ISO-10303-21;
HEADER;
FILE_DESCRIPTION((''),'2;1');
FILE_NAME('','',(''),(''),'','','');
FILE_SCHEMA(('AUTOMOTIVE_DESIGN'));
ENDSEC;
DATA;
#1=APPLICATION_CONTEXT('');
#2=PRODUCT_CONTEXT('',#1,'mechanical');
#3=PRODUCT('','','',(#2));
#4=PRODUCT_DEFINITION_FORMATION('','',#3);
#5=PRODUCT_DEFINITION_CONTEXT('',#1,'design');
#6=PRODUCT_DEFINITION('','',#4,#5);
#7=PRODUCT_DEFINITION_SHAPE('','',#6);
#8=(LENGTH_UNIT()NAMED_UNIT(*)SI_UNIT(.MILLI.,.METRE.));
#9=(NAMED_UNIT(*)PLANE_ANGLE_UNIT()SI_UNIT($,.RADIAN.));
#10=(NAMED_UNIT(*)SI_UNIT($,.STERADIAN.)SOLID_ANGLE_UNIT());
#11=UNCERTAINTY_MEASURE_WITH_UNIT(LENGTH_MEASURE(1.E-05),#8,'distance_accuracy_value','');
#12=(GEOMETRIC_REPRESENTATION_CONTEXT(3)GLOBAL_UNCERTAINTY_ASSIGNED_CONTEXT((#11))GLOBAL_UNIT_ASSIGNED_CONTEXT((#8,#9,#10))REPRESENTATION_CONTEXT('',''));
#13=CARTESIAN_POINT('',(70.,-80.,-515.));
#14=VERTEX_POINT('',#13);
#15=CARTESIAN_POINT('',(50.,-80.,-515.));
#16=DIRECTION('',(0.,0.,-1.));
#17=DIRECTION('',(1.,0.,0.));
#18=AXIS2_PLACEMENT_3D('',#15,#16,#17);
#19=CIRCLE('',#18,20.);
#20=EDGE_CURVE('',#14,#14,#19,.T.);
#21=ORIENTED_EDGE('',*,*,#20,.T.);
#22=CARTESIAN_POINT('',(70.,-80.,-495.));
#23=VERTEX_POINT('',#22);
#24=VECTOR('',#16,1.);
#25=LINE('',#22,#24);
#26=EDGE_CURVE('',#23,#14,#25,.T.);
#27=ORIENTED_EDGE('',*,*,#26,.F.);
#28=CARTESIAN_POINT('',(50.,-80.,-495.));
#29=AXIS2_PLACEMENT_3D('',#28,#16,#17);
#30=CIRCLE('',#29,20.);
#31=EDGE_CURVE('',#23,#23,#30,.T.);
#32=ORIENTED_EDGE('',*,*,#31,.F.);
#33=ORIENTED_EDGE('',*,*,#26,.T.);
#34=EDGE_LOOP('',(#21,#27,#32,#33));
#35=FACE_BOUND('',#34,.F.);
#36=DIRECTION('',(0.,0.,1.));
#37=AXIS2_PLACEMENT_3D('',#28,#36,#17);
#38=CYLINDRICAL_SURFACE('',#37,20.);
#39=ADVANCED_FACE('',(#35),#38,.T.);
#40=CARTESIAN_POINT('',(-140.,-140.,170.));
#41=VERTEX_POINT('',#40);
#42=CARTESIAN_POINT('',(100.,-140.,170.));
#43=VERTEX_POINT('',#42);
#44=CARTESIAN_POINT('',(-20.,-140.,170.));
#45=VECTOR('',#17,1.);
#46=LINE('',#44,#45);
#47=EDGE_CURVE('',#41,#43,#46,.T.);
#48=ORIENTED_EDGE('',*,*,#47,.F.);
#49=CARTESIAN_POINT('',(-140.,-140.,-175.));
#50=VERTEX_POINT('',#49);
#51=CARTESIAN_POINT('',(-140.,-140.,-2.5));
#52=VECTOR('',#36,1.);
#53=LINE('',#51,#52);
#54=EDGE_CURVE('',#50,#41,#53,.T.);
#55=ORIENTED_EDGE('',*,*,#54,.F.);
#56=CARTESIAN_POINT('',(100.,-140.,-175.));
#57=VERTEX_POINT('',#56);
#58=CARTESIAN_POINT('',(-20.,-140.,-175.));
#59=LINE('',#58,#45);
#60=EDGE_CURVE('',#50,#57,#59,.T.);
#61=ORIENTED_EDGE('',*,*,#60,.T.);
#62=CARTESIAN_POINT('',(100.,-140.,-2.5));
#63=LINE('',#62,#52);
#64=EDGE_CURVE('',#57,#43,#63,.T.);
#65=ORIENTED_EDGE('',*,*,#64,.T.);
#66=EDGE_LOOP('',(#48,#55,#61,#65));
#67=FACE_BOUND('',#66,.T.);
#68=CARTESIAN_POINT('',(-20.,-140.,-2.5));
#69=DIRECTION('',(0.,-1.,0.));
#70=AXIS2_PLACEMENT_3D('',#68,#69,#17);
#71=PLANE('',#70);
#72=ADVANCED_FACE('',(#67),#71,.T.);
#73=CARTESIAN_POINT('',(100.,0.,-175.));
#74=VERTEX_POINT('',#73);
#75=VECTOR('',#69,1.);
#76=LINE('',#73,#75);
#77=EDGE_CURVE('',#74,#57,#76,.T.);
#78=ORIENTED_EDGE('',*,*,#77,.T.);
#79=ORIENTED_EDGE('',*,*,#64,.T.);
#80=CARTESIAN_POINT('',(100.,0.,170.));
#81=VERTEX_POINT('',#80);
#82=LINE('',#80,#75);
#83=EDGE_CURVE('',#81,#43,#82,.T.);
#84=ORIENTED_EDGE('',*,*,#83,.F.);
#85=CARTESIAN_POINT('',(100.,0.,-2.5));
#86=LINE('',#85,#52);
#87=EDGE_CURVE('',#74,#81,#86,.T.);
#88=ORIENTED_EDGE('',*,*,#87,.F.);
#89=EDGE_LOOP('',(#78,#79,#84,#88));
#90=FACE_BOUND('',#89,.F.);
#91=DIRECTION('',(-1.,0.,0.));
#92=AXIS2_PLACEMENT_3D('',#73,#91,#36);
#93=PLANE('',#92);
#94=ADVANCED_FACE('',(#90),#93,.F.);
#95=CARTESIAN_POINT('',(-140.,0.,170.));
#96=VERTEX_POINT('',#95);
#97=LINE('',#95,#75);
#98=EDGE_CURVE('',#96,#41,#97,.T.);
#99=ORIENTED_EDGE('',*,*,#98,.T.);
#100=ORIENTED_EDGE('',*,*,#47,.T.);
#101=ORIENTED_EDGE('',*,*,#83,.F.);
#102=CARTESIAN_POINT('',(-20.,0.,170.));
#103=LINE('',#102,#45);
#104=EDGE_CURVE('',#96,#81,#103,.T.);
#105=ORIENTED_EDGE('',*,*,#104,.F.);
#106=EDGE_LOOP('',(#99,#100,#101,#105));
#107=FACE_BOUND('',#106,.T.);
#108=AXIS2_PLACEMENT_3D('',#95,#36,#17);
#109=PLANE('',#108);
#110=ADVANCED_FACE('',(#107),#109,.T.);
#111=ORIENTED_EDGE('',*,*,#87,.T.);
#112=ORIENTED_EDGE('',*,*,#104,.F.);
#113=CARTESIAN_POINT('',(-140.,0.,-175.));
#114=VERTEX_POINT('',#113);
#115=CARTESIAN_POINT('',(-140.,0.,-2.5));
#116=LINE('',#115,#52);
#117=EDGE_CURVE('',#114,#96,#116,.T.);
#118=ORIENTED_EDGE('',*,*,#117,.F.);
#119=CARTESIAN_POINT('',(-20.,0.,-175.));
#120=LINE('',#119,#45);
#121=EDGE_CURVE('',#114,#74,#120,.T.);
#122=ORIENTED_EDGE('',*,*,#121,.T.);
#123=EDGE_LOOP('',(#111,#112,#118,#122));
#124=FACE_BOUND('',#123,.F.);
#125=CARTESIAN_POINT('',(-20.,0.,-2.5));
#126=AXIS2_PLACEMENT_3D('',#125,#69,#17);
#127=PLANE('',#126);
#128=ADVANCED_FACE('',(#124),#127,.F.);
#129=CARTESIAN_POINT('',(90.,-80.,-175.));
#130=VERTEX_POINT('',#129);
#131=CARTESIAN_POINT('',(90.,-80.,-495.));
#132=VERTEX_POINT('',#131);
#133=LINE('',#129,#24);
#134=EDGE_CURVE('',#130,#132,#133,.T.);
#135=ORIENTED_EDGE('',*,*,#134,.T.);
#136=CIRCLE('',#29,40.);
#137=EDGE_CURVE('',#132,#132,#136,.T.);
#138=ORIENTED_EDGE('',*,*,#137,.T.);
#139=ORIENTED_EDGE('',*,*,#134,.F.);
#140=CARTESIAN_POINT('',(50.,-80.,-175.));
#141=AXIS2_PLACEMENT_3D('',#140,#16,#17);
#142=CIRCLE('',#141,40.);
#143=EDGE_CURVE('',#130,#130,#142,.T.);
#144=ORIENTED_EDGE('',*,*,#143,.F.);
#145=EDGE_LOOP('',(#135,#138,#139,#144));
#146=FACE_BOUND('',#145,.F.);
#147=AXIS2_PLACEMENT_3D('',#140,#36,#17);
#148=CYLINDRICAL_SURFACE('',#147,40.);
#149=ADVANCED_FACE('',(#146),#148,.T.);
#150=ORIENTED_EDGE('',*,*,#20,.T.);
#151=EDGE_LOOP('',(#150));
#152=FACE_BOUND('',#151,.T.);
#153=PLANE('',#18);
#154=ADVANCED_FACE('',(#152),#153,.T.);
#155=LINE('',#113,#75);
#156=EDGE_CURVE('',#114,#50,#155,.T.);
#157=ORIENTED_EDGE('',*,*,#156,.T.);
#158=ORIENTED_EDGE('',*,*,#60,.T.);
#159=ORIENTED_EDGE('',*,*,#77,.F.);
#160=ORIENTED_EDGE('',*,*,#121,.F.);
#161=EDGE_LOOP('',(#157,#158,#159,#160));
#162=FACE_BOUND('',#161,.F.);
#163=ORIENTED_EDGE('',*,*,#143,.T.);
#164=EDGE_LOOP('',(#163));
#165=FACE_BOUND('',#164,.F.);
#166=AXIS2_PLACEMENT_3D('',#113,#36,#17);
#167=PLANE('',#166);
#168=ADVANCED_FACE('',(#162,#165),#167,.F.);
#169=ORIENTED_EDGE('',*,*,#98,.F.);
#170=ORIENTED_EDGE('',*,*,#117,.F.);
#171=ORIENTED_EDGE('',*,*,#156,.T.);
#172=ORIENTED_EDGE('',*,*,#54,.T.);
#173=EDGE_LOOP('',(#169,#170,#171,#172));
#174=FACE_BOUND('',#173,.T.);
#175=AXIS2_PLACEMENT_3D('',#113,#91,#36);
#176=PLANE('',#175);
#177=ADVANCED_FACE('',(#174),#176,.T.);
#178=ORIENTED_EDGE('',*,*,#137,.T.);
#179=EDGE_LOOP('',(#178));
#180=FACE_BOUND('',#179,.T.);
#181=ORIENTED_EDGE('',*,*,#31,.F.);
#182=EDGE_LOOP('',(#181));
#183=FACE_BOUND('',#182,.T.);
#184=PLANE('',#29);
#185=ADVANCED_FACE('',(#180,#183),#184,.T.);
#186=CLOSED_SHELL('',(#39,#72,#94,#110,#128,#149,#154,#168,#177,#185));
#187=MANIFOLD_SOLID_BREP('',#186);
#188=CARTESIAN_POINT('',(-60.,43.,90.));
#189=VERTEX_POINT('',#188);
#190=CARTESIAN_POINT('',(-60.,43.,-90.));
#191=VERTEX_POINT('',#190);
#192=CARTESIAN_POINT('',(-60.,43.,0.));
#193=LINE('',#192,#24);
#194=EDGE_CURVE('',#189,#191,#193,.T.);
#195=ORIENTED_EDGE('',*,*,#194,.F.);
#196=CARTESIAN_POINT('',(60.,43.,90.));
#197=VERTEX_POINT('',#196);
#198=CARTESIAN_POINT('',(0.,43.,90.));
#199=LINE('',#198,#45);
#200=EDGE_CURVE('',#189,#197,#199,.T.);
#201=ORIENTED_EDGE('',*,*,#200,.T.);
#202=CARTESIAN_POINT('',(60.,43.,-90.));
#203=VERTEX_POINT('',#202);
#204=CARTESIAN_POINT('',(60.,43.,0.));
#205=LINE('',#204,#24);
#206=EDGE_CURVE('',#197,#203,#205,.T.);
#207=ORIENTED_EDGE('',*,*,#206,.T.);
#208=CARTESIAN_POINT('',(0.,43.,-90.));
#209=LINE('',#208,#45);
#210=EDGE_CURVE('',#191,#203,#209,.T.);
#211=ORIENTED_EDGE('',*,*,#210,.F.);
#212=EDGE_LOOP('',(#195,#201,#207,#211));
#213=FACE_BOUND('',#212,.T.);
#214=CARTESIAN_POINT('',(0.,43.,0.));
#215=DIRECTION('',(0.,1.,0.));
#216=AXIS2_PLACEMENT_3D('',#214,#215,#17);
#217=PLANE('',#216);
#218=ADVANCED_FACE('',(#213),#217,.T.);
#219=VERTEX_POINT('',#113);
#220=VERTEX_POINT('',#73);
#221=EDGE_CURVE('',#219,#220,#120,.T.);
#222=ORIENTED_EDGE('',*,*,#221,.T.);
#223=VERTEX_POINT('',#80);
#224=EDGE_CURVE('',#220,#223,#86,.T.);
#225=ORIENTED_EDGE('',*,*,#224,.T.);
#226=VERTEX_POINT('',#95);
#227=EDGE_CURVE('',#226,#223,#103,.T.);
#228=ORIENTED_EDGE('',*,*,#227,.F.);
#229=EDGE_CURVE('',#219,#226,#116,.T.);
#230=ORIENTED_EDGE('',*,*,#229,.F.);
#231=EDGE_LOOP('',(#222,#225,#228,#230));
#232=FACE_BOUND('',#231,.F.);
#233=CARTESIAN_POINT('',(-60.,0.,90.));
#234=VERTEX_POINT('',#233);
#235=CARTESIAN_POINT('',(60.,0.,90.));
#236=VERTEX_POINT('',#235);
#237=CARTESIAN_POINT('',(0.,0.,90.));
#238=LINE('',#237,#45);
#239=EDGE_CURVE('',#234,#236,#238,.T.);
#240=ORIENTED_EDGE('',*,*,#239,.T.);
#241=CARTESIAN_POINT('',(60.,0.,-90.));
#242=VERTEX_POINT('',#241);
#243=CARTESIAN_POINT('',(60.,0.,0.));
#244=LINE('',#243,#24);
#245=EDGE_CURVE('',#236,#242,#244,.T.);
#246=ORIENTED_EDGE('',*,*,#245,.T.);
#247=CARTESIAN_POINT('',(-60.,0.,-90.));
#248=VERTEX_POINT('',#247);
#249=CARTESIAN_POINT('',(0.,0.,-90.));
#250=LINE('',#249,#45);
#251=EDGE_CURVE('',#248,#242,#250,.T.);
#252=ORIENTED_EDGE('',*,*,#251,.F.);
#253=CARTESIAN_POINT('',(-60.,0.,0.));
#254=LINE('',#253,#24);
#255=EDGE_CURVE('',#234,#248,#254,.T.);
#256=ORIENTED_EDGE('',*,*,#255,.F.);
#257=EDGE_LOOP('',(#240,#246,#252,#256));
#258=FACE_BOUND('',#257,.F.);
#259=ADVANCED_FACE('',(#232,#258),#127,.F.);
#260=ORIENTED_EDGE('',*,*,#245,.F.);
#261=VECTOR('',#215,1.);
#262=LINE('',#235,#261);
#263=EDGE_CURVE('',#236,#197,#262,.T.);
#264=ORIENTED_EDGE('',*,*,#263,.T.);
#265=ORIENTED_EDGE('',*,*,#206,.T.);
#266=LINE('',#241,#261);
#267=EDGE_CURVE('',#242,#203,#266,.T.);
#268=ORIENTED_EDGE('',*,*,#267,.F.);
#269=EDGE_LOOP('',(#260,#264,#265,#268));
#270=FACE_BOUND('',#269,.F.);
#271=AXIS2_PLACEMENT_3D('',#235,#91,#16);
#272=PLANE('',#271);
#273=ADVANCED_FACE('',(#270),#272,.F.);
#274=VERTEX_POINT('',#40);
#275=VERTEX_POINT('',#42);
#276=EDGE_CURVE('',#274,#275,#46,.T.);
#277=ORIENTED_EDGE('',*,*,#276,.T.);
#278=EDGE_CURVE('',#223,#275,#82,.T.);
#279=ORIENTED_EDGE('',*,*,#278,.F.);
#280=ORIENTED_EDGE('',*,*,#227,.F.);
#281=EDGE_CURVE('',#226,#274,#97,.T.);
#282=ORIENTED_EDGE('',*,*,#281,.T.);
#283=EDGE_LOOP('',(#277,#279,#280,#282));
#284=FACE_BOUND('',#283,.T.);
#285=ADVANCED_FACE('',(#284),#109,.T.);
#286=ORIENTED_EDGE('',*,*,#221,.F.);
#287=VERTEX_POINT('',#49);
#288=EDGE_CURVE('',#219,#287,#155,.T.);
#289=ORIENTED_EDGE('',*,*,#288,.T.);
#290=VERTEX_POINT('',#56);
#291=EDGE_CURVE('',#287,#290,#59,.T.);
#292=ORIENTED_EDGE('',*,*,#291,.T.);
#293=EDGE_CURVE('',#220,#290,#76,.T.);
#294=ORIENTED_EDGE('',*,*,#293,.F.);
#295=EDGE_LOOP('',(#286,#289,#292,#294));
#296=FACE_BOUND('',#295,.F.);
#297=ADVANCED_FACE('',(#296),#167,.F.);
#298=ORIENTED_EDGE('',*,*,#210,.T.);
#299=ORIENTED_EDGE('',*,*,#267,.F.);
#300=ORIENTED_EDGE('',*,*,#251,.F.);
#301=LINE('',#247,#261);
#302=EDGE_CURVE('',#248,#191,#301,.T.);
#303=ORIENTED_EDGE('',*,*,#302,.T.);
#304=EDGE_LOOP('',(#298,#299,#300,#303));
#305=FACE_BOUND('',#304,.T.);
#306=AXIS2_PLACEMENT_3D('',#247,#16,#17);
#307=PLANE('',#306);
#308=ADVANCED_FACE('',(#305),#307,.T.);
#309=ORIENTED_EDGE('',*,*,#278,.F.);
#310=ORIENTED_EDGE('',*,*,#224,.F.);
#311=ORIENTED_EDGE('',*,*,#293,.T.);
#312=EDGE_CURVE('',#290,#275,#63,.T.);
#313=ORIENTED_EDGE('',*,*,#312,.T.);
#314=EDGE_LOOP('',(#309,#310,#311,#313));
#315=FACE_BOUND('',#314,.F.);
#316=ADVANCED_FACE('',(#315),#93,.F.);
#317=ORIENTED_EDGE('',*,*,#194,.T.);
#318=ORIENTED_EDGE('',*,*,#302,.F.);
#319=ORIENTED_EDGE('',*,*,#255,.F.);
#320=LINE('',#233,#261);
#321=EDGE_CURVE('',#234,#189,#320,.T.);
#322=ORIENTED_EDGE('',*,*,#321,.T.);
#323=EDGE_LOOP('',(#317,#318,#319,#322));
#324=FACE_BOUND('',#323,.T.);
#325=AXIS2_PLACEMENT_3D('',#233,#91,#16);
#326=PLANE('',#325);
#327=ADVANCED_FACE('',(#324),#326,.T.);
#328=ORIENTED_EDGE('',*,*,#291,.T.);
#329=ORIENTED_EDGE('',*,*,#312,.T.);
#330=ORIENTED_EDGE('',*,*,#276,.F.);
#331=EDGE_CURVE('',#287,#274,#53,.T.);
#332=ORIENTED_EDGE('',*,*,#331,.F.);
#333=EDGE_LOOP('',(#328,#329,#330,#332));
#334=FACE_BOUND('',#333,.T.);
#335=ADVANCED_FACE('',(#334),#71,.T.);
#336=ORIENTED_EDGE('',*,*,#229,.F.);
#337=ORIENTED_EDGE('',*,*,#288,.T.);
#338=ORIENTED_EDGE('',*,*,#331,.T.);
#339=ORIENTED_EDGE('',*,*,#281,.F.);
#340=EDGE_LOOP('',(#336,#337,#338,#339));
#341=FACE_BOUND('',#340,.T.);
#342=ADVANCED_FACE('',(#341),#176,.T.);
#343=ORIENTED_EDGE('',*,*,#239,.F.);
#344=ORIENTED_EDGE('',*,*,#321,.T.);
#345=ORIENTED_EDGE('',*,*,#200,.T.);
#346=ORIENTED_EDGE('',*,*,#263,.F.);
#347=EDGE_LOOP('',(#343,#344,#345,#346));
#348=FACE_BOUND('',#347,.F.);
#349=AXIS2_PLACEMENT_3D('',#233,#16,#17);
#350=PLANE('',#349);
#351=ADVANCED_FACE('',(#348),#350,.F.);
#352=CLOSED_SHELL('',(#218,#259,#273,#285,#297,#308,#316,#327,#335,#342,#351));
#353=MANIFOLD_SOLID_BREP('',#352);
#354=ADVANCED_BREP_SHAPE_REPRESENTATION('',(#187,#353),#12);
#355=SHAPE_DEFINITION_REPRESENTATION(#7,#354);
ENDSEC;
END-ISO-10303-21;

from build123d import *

# Parameters (mm, degrees)
SKETCH_W     = 240
SKETCH_H     = 345
PAD_DEPTH    = 140
SKETCH001_W  = 120
SKETCH001_H  = 180
PAD001_DEPTH = 43
SKETCH002_R  = 40
PAD002_DEPTH = 320
SKETCH003_R  = 20
PAD003_DEPTH = 20


with BuildPart() as pad:
    # Sketch → Pad (new body)
    with BuildSketch(Plane.XZ):
        with Locations((-20, -2.5)):
            Rectangle(SKETCH_W, SKETCH_H)
    extrude(amount=PAD_DEPTH)


with BuildPart() as pad001:
    # Pad001 base: copy of Pad
    add(pad.part)

    # Sketch001 → Pad001 (new body)
    with BuildSketch(Plane(origin=(0, 0, 0), x_dir=(1, 0, 0), z_dir=(0, 1, 0))):
        Rectangle(SKETCH001_W, SKETCH001_H)
    extrude(amount=PAD001_DEPTH)


with BuildPart() as pad003:
    # Pad002 base: copy of Pad
    add(pad.part)

    # Sketch002 → Pad002 (new body)
    with BuildSketch(Plane(origin=(0, 0, -175), x_dir=(1, 0, 0), z_dir=(0, 0, -1))):
        with Locations((50, 80)):
            Circle(SKETCH002_R)
    extrude(amount=PAD002_DEPTH)

    # Sketch003 → Pad003 (new body)
    with BuildSketch(Plane(origin=(0, 0, -495), x_dir=(1, 0, 0), z_dir=(0, 0, -1))):
        with Locations((50, 80)):
            Circle(SKETCH003_R)
    extrude(amount=PAD003_DEPTH)


solid = Compound([pad001.part, pad003.part])
